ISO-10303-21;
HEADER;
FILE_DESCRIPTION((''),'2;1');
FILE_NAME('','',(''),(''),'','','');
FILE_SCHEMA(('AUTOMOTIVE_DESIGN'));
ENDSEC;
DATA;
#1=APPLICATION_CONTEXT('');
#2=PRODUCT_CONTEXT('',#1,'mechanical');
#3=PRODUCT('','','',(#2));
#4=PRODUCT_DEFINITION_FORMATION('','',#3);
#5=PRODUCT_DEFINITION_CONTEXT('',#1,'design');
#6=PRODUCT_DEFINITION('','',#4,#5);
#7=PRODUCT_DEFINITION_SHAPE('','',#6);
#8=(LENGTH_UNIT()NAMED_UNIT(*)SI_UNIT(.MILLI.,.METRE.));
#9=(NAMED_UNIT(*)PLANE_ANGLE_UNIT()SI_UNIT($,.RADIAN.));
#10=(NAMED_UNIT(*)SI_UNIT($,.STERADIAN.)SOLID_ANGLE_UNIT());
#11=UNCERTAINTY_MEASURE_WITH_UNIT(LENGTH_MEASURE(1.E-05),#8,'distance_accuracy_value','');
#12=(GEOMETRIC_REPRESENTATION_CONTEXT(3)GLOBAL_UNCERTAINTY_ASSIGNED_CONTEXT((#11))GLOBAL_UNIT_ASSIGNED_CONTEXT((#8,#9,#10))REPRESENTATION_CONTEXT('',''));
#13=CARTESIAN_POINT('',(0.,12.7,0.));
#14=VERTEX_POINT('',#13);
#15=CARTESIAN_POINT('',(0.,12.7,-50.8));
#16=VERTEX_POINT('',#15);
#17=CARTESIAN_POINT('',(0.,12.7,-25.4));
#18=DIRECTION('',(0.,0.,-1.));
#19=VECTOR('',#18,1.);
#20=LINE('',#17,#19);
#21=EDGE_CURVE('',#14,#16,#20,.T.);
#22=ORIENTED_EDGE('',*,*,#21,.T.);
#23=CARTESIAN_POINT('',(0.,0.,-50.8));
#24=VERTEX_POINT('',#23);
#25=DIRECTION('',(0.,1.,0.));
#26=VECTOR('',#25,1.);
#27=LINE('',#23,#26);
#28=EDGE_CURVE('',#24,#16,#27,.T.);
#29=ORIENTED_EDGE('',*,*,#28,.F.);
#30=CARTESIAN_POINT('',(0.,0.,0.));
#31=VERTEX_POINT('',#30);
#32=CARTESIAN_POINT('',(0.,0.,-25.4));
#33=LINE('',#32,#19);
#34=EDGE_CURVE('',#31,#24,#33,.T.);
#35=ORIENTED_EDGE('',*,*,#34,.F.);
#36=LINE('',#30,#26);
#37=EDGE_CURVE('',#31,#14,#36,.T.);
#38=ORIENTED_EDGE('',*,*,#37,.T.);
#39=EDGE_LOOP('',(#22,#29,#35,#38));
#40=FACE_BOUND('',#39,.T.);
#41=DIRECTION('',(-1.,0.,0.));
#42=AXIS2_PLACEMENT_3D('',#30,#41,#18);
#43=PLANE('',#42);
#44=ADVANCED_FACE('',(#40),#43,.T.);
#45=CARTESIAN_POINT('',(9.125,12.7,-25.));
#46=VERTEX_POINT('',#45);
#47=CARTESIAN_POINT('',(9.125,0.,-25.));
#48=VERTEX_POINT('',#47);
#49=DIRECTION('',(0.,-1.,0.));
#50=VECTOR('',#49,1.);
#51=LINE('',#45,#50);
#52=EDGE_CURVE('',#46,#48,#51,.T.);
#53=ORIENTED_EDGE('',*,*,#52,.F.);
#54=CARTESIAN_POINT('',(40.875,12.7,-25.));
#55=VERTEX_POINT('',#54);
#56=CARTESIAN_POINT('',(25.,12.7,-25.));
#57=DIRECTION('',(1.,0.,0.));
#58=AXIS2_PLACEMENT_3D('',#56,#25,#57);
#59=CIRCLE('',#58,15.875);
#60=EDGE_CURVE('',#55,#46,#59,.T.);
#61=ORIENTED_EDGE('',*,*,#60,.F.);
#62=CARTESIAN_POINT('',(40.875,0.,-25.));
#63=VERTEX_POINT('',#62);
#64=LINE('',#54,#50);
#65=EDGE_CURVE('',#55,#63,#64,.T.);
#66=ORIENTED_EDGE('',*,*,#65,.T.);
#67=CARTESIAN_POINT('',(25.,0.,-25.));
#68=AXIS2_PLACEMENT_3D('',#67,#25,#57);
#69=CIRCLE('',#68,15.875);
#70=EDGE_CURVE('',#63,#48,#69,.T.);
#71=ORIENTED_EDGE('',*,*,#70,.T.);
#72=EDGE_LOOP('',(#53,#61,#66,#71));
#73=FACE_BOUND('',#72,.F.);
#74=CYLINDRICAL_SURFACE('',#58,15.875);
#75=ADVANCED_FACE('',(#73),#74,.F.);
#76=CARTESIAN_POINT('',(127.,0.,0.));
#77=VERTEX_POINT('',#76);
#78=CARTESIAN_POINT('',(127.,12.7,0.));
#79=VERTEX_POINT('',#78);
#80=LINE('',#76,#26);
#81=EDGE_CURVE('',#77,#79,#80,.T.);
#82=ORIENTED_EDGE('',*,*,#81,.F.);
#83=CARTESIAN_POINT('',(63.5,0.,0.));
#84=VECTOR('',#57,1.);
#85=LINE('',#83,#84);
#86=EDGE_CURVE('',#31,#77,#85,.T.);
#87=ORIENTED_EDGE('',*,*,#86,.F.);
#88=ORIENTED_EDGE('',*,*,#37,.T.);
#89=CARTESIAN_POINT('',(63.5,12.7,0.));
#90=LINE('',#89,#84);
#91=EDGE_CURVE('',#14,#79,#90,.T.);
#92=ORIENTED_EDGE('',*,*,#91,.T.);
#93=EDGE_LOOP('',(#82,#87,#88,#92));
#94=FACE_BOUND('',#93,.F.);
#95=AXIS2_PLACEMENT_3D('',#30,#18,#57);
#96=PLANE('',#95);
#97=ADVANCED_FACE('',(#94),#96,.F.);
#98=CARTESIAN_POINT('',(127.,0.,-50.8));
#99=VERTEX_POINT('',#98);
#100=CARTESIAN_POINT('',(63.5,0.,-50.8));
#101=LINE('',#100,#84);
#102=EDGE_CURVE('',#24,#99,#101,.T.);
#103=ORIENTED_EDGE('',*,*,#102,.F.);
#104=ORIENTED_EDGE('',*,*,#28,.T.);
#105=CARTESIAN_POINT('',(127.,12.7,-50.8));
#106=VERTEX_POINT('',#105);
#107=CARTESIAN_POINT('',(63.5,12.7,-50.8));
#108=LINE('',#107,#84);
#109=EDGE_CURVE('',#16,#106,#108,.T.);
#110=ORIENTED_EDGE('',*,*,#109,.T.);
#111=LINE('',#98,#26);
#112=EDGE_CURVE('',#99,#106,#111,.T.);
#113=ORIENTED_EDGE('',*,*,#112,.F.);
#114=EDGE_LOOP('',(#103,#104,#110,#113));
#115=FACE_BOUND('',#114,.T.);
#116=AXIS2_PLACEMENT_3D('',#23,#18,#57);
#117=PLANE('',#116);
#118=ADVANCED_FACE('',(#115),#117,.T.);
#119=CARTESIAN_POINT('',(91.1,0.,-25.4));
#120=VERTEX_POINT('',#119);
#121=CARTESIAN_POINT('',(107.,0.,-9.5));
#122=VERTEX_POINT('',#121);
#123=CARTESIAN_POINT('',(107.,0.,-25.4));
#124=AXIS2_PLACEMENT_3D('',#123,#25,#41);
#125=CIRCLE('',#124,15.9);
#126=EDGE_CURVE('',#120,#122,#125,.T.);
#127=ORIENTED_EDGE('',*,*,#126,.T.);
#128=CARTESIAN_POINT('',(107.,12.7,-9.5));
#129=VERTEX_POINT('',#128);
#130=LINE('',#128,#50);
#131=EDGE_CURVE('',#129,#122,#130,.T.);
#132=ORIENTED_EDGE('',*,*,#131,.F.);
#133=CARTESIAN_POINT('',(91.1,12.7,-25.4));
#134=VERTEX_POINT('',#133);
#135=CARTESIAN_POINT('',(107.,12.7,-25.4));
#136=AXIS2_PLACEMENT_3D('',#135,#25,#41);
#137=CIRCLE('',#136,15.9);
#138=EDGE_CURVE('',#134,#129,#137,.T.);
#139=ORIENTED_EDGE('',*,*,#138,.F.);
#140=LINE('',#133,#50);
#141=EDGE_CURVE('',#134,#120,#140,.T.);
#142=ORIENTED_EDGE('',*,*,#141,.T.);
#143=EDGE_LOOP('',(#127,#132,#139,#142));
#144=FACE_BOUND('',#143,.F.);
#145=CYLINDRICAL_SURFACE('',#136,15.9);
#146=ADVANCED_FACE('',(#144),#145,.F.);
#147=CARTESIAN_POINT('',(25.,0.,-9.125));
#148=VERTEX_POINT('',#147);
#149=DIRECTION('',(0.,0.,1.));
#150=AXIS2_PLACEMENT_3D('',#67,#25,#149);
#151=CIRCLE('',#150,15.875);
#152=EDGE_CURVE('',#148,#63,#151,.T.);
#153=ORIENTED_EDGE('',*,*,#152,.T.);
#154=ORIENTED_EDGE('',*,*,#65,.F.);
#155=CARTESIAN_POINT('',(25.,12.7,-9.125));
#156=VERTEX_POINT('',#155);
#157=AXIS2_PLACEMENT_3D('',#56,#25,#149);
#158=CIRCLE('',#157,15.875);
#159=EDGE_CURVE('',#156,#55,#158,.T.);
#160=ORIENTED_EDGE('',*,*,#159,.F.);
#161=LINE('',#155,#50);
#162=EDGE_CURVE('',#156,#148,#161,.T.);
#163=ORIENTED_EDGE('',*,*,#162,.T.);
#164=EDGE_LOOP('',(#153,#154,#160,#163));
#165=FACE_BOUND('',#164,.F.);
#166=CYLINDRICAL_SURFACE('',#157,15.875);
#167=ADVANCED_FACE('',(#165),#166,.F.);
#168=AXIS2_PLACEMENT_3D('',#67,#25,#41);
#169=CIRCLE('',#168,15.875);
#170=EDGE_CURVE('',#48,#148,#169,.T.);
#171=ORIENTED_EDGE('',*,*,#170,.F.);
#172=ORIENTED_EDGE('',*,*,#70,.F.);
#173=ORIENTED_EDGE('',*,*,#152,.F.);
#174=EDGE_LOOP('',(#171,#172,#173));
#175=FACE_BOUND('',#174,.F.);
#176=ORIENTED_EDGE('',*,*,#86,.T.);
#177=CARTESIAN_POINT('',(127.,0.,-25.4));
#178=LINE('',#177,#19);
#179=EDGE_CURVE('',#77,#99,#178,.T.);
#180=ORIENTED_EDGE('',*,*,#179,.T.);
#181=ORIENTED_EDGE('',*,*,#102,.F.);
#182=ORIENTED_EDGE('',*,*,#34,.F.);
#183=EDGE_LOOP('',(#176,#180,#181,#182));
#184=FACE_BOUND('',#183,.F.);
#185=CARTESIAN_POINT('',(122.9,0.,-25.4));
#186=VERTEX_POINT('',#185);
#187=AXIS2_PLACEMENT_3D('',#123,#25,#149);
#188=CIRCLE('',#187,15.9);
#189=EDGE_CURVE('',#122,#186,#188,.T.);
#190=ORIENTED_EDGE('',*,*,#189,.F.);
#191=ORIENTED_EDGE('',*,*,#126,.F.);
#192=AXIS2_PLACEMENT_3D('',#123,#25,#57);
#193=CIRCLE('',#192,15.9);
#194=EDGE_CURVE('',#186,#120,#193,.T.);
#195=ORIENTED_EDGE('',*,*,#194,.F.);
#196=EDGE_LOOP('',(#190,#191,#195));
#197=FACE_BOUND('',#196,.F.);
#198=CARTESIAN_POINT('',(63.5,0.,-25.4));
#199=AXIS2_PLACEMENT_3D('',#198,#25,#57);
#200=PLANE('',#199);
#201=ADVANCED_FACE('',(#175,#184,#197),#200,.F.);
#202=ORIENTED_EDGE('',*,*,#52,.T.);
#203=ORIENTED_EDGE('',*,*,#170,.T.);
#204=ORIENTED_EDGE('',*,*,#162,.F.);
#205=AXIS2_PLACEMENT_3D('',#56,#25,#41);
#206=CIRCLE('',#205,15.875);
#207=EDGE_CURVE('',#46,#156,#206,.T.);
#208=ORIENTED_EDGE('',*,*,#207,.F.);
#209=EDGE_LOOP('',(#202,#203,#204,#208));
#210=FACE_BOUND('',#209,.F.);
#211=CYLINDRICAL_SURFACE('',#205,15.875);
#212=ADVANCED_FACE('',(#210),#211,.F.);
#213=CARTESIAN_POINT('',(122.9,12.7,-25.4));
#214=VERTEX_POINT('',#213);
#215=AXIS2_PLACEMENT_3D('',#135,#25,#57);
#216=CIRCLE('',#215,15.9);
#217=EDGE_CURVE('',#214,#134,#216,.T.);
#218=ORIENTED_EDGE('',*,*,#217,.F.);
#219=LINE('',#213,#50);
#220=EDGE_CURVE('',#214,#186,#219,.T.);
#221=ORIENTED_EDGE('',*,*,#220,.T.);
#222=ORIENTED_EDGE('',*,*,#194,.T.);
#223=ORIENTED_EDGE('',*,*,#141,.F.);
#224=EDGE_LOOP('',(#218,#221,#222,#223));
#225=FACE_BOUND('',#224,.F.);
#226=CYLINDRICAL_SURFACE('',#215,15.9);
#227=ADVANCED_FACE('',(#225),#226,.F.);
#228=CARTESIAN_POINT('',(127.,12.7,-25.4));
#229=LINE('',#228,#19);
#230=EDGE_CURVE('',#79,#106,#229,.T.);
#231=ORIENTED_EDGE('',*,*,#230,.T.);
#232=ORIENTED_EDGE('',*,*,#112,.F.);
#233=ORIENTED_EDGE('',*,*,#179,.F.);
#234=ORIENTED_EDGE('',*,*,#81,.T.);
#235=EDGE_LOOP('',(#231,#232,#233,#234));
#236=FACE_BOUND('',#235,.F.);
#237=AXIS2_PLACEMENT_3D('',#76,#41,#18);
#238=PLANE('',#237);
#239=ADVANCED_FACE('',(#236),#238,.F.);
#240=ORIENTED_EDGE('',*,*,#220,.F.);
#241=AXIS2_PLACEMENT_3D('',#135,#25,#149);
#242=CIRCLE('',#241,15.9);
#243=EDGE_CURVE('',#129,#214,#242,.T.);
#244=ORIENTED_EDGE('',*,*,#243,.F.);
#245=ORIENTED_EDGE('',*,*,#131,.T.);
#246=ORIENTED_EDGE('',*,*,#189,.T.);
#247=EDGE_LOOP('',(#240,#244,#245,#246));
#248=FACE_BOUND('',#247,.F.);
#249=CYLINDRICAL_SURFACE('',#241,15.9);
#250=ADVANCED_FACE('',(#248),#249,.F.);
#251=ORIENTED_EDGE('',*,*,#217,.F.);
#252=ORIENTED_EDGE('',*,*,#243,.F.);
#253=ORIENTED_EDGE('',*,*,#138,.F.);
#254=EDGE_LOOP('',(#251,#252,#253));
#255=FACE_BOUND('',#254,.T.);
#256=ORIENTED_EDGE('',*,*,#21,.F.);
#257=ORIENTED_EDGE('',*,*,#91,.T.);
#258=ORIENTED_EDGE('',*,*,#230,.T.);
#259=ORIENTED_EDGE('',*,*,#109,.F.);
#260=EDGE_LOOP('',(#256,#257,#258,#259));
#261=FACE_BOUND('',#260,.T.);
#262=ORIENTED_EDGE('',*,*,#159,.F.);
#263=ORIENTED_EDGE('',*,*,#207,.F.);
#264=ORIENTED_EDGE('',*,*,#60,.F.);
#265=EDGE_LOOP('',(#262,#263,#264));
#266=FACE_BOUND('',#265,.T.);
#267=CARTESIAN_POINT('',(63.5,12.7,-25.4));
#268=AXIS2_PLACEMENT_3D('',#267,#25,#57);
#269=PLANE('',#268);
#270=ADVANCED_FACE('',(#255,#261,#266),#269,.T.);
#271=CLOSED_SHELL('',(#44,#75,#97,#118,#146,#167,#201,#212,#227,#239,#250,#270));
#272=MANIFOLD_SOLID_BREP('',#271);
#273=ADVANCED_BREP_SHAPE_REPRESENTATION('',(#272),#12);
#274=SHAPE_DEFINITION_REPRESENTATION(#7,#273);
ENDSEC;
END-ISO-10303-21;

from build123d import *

# Parameters (mm, degrees)
SKETCH1_W           = 127
SKETCH1_H           = 50.8
BOSS_EXTRUDE1_DEPTH = 12.7
CUT_EXTRUDE1_DEPTH  = 12.7
CUT_EXTRUDE2_DEPTH  = 13.7


with BuildPart() as part:
    # Sketch1 → Boss-Extrude1 (new body)
    with BuildSketch(Plane(origin=(0, 0, 0), x_dir=(1, 0, 0), z_dir=(0, 1, 0))):
        with Locations((63.5, 25.4)):
            Rectangle(SKETCH1_W, SKETCH1_H)
    extrude(amount=BOSS_EXTRUDE1_DEPTH)

    # Sketch2 → Cut-Extrude1 (cut)
    with BuildSketch(Plane(origin=(0, 12.7, 0), x_dir=(1, 0, 0), z_dir=(0, 1, 0))):
        with BuildLine():
            ThreePointArc((9.125, 25), (13.774679849, 13.774679849), (25, 9.125))
            Line((25, 9.125), (25, 25))
            Line((25, 25), (9.125, 25))
        make_face()
        with BuildLine():
            Line((25, 25), (25, 9.125))
            ThreePointArc((25, 9.125), (36.225320151, 13.774679849), (40.875, 25))
            ThreePointArc((40.875, 25), (25, 40.875), (9.125, 25))
            Line((9.125, 25), (25, 25))
        make_face()
    extrude(amount=-CUT_EXTRUDE1_DEPTH, mode=Mode.SUBTRACT)

    # Sketch4 → Cut-Extrude2 (cut, through all)
    with BuildSketch(Plane(origin=(0, 12.7, 0), x_dir=(1, 0, 0), z_dir=(0, 1, 0))):
        with BuildLine():
            ThreePointArc((91.1, 25.4), (95.757002179, 14.157002179), (107, 9.5))
            Line((107, 9.5), (107, 25.4))
            Line((107, 25.4), (91.1, 25.4))
        make_face()
        with BuildLine():
            Line((107, 25.4), (107, 9.5))
            ThreePointArc((107, 9.5), (118.242997821, 14.157002179), (122.9, 25.4))
            ThreePointArc((122.9, 25.4), (107, 41.3), (91.1, 25.4))
            Line((91.1, 25.4), (107, 25.4))
        make_face()
    extrude(amount=-CUT_EXTRUDE2_DEPTH, mode=Mode.SUBTRACT)


solid = part.part
